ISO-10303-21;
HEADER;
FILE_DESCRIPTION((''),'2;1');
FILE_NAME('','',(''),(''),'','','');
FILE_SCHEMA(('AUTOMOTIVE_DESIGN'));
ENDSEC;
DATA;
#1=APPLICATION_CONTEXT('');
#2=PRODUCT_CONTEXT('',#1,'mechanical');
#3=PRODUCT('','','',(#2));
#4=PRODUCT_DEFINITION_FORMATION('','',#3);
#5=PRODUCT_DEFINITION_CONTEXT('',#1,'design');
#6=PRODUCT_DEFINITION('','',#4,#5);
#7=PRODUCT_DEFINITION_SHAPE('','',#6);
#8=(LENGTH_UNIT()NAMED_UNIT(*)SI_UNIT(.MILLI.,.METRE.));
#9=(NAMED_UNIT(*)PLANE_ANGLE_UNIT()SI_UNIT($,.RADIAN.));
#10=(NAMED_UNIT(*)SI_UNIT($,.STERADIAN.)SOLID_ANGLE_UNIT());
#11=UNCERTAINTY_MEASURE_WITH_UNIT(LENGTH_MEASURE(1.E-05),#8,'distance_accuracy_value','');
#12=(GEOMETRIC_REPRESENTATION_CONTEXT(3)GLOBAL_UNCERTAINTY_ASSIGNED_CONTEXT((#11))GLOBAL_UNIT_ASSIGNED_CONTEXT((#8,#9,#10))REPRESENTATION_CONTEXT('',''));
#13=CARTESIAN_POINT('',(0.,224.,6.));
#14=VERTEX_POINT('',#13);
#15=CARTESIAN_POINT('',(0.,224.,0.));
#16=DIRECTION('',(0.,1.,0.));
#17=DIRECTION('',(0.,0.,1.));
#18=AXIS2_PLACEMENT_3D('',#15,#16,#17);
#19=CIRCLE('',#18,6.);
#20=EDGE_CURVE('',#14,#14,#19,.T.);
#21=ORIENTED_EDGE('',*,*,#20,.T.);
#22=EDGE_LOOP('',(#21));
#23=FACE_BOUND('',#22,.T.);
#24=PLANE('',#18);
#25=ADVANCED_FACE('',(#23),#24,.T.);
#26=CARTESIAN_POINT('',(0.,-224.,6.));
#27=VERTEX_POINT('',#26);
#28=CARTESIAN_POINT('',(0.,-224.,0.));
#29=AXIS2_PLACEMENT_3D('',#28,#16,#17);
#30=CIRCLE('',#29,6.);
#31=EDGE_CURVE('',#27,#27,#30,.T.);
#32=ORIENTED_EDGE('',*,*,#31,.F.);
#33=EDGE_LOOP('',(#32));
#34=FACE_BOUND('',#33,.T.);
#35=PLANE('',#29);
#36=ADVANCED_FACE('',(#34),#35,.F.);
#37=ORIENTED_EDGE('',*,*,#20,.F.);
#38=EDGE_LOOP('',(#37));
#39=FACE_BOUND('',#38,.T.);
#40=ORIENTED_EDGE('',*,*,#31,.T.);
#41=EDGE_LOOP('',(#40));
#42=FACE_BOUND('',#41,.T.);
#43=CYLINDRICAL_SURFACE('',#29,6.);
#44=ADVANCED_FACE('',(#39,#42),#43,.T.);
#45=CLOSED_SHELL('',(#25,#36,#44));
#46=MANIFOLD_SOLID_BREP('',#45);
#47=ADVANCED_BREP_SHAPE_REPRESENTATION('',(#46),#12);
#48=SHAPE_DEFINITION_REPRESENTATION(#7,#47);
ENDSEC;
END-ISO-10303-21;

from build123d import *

# Parameters (mm, degrees)
AUFSATZ_LINEAR_AUSTRAGEN1_DEPTH      = 224
AUFSATZ_LINEAR_AUSTRAGEN1_DEPTH_BACK = 224
SKIZZE2_R                            = 6


with BuildPart() as part:
    # Skizze2 → Aufsatz-Linear austragen1 (new, two sides: drawn at the far end of the back side and taken through both)
    with BuildSketch(Plane(origin=(0, 0, 0), x_dir=(1, 0, 0), z_dir=(0, 1, 0)).offset(-AUFSATZ_LINEAR_AUSTRAGEN1_DEPTH_BACK)):
        Circle(SKIZZE2_R)
    extrude(amount=AUFSATZ_LINEAR_AUSTRAGEN1_DEPTH + AUFSATZ_LINEAR_AUSTRAGEN1_DEPTH_BACK)


solid = part.part
